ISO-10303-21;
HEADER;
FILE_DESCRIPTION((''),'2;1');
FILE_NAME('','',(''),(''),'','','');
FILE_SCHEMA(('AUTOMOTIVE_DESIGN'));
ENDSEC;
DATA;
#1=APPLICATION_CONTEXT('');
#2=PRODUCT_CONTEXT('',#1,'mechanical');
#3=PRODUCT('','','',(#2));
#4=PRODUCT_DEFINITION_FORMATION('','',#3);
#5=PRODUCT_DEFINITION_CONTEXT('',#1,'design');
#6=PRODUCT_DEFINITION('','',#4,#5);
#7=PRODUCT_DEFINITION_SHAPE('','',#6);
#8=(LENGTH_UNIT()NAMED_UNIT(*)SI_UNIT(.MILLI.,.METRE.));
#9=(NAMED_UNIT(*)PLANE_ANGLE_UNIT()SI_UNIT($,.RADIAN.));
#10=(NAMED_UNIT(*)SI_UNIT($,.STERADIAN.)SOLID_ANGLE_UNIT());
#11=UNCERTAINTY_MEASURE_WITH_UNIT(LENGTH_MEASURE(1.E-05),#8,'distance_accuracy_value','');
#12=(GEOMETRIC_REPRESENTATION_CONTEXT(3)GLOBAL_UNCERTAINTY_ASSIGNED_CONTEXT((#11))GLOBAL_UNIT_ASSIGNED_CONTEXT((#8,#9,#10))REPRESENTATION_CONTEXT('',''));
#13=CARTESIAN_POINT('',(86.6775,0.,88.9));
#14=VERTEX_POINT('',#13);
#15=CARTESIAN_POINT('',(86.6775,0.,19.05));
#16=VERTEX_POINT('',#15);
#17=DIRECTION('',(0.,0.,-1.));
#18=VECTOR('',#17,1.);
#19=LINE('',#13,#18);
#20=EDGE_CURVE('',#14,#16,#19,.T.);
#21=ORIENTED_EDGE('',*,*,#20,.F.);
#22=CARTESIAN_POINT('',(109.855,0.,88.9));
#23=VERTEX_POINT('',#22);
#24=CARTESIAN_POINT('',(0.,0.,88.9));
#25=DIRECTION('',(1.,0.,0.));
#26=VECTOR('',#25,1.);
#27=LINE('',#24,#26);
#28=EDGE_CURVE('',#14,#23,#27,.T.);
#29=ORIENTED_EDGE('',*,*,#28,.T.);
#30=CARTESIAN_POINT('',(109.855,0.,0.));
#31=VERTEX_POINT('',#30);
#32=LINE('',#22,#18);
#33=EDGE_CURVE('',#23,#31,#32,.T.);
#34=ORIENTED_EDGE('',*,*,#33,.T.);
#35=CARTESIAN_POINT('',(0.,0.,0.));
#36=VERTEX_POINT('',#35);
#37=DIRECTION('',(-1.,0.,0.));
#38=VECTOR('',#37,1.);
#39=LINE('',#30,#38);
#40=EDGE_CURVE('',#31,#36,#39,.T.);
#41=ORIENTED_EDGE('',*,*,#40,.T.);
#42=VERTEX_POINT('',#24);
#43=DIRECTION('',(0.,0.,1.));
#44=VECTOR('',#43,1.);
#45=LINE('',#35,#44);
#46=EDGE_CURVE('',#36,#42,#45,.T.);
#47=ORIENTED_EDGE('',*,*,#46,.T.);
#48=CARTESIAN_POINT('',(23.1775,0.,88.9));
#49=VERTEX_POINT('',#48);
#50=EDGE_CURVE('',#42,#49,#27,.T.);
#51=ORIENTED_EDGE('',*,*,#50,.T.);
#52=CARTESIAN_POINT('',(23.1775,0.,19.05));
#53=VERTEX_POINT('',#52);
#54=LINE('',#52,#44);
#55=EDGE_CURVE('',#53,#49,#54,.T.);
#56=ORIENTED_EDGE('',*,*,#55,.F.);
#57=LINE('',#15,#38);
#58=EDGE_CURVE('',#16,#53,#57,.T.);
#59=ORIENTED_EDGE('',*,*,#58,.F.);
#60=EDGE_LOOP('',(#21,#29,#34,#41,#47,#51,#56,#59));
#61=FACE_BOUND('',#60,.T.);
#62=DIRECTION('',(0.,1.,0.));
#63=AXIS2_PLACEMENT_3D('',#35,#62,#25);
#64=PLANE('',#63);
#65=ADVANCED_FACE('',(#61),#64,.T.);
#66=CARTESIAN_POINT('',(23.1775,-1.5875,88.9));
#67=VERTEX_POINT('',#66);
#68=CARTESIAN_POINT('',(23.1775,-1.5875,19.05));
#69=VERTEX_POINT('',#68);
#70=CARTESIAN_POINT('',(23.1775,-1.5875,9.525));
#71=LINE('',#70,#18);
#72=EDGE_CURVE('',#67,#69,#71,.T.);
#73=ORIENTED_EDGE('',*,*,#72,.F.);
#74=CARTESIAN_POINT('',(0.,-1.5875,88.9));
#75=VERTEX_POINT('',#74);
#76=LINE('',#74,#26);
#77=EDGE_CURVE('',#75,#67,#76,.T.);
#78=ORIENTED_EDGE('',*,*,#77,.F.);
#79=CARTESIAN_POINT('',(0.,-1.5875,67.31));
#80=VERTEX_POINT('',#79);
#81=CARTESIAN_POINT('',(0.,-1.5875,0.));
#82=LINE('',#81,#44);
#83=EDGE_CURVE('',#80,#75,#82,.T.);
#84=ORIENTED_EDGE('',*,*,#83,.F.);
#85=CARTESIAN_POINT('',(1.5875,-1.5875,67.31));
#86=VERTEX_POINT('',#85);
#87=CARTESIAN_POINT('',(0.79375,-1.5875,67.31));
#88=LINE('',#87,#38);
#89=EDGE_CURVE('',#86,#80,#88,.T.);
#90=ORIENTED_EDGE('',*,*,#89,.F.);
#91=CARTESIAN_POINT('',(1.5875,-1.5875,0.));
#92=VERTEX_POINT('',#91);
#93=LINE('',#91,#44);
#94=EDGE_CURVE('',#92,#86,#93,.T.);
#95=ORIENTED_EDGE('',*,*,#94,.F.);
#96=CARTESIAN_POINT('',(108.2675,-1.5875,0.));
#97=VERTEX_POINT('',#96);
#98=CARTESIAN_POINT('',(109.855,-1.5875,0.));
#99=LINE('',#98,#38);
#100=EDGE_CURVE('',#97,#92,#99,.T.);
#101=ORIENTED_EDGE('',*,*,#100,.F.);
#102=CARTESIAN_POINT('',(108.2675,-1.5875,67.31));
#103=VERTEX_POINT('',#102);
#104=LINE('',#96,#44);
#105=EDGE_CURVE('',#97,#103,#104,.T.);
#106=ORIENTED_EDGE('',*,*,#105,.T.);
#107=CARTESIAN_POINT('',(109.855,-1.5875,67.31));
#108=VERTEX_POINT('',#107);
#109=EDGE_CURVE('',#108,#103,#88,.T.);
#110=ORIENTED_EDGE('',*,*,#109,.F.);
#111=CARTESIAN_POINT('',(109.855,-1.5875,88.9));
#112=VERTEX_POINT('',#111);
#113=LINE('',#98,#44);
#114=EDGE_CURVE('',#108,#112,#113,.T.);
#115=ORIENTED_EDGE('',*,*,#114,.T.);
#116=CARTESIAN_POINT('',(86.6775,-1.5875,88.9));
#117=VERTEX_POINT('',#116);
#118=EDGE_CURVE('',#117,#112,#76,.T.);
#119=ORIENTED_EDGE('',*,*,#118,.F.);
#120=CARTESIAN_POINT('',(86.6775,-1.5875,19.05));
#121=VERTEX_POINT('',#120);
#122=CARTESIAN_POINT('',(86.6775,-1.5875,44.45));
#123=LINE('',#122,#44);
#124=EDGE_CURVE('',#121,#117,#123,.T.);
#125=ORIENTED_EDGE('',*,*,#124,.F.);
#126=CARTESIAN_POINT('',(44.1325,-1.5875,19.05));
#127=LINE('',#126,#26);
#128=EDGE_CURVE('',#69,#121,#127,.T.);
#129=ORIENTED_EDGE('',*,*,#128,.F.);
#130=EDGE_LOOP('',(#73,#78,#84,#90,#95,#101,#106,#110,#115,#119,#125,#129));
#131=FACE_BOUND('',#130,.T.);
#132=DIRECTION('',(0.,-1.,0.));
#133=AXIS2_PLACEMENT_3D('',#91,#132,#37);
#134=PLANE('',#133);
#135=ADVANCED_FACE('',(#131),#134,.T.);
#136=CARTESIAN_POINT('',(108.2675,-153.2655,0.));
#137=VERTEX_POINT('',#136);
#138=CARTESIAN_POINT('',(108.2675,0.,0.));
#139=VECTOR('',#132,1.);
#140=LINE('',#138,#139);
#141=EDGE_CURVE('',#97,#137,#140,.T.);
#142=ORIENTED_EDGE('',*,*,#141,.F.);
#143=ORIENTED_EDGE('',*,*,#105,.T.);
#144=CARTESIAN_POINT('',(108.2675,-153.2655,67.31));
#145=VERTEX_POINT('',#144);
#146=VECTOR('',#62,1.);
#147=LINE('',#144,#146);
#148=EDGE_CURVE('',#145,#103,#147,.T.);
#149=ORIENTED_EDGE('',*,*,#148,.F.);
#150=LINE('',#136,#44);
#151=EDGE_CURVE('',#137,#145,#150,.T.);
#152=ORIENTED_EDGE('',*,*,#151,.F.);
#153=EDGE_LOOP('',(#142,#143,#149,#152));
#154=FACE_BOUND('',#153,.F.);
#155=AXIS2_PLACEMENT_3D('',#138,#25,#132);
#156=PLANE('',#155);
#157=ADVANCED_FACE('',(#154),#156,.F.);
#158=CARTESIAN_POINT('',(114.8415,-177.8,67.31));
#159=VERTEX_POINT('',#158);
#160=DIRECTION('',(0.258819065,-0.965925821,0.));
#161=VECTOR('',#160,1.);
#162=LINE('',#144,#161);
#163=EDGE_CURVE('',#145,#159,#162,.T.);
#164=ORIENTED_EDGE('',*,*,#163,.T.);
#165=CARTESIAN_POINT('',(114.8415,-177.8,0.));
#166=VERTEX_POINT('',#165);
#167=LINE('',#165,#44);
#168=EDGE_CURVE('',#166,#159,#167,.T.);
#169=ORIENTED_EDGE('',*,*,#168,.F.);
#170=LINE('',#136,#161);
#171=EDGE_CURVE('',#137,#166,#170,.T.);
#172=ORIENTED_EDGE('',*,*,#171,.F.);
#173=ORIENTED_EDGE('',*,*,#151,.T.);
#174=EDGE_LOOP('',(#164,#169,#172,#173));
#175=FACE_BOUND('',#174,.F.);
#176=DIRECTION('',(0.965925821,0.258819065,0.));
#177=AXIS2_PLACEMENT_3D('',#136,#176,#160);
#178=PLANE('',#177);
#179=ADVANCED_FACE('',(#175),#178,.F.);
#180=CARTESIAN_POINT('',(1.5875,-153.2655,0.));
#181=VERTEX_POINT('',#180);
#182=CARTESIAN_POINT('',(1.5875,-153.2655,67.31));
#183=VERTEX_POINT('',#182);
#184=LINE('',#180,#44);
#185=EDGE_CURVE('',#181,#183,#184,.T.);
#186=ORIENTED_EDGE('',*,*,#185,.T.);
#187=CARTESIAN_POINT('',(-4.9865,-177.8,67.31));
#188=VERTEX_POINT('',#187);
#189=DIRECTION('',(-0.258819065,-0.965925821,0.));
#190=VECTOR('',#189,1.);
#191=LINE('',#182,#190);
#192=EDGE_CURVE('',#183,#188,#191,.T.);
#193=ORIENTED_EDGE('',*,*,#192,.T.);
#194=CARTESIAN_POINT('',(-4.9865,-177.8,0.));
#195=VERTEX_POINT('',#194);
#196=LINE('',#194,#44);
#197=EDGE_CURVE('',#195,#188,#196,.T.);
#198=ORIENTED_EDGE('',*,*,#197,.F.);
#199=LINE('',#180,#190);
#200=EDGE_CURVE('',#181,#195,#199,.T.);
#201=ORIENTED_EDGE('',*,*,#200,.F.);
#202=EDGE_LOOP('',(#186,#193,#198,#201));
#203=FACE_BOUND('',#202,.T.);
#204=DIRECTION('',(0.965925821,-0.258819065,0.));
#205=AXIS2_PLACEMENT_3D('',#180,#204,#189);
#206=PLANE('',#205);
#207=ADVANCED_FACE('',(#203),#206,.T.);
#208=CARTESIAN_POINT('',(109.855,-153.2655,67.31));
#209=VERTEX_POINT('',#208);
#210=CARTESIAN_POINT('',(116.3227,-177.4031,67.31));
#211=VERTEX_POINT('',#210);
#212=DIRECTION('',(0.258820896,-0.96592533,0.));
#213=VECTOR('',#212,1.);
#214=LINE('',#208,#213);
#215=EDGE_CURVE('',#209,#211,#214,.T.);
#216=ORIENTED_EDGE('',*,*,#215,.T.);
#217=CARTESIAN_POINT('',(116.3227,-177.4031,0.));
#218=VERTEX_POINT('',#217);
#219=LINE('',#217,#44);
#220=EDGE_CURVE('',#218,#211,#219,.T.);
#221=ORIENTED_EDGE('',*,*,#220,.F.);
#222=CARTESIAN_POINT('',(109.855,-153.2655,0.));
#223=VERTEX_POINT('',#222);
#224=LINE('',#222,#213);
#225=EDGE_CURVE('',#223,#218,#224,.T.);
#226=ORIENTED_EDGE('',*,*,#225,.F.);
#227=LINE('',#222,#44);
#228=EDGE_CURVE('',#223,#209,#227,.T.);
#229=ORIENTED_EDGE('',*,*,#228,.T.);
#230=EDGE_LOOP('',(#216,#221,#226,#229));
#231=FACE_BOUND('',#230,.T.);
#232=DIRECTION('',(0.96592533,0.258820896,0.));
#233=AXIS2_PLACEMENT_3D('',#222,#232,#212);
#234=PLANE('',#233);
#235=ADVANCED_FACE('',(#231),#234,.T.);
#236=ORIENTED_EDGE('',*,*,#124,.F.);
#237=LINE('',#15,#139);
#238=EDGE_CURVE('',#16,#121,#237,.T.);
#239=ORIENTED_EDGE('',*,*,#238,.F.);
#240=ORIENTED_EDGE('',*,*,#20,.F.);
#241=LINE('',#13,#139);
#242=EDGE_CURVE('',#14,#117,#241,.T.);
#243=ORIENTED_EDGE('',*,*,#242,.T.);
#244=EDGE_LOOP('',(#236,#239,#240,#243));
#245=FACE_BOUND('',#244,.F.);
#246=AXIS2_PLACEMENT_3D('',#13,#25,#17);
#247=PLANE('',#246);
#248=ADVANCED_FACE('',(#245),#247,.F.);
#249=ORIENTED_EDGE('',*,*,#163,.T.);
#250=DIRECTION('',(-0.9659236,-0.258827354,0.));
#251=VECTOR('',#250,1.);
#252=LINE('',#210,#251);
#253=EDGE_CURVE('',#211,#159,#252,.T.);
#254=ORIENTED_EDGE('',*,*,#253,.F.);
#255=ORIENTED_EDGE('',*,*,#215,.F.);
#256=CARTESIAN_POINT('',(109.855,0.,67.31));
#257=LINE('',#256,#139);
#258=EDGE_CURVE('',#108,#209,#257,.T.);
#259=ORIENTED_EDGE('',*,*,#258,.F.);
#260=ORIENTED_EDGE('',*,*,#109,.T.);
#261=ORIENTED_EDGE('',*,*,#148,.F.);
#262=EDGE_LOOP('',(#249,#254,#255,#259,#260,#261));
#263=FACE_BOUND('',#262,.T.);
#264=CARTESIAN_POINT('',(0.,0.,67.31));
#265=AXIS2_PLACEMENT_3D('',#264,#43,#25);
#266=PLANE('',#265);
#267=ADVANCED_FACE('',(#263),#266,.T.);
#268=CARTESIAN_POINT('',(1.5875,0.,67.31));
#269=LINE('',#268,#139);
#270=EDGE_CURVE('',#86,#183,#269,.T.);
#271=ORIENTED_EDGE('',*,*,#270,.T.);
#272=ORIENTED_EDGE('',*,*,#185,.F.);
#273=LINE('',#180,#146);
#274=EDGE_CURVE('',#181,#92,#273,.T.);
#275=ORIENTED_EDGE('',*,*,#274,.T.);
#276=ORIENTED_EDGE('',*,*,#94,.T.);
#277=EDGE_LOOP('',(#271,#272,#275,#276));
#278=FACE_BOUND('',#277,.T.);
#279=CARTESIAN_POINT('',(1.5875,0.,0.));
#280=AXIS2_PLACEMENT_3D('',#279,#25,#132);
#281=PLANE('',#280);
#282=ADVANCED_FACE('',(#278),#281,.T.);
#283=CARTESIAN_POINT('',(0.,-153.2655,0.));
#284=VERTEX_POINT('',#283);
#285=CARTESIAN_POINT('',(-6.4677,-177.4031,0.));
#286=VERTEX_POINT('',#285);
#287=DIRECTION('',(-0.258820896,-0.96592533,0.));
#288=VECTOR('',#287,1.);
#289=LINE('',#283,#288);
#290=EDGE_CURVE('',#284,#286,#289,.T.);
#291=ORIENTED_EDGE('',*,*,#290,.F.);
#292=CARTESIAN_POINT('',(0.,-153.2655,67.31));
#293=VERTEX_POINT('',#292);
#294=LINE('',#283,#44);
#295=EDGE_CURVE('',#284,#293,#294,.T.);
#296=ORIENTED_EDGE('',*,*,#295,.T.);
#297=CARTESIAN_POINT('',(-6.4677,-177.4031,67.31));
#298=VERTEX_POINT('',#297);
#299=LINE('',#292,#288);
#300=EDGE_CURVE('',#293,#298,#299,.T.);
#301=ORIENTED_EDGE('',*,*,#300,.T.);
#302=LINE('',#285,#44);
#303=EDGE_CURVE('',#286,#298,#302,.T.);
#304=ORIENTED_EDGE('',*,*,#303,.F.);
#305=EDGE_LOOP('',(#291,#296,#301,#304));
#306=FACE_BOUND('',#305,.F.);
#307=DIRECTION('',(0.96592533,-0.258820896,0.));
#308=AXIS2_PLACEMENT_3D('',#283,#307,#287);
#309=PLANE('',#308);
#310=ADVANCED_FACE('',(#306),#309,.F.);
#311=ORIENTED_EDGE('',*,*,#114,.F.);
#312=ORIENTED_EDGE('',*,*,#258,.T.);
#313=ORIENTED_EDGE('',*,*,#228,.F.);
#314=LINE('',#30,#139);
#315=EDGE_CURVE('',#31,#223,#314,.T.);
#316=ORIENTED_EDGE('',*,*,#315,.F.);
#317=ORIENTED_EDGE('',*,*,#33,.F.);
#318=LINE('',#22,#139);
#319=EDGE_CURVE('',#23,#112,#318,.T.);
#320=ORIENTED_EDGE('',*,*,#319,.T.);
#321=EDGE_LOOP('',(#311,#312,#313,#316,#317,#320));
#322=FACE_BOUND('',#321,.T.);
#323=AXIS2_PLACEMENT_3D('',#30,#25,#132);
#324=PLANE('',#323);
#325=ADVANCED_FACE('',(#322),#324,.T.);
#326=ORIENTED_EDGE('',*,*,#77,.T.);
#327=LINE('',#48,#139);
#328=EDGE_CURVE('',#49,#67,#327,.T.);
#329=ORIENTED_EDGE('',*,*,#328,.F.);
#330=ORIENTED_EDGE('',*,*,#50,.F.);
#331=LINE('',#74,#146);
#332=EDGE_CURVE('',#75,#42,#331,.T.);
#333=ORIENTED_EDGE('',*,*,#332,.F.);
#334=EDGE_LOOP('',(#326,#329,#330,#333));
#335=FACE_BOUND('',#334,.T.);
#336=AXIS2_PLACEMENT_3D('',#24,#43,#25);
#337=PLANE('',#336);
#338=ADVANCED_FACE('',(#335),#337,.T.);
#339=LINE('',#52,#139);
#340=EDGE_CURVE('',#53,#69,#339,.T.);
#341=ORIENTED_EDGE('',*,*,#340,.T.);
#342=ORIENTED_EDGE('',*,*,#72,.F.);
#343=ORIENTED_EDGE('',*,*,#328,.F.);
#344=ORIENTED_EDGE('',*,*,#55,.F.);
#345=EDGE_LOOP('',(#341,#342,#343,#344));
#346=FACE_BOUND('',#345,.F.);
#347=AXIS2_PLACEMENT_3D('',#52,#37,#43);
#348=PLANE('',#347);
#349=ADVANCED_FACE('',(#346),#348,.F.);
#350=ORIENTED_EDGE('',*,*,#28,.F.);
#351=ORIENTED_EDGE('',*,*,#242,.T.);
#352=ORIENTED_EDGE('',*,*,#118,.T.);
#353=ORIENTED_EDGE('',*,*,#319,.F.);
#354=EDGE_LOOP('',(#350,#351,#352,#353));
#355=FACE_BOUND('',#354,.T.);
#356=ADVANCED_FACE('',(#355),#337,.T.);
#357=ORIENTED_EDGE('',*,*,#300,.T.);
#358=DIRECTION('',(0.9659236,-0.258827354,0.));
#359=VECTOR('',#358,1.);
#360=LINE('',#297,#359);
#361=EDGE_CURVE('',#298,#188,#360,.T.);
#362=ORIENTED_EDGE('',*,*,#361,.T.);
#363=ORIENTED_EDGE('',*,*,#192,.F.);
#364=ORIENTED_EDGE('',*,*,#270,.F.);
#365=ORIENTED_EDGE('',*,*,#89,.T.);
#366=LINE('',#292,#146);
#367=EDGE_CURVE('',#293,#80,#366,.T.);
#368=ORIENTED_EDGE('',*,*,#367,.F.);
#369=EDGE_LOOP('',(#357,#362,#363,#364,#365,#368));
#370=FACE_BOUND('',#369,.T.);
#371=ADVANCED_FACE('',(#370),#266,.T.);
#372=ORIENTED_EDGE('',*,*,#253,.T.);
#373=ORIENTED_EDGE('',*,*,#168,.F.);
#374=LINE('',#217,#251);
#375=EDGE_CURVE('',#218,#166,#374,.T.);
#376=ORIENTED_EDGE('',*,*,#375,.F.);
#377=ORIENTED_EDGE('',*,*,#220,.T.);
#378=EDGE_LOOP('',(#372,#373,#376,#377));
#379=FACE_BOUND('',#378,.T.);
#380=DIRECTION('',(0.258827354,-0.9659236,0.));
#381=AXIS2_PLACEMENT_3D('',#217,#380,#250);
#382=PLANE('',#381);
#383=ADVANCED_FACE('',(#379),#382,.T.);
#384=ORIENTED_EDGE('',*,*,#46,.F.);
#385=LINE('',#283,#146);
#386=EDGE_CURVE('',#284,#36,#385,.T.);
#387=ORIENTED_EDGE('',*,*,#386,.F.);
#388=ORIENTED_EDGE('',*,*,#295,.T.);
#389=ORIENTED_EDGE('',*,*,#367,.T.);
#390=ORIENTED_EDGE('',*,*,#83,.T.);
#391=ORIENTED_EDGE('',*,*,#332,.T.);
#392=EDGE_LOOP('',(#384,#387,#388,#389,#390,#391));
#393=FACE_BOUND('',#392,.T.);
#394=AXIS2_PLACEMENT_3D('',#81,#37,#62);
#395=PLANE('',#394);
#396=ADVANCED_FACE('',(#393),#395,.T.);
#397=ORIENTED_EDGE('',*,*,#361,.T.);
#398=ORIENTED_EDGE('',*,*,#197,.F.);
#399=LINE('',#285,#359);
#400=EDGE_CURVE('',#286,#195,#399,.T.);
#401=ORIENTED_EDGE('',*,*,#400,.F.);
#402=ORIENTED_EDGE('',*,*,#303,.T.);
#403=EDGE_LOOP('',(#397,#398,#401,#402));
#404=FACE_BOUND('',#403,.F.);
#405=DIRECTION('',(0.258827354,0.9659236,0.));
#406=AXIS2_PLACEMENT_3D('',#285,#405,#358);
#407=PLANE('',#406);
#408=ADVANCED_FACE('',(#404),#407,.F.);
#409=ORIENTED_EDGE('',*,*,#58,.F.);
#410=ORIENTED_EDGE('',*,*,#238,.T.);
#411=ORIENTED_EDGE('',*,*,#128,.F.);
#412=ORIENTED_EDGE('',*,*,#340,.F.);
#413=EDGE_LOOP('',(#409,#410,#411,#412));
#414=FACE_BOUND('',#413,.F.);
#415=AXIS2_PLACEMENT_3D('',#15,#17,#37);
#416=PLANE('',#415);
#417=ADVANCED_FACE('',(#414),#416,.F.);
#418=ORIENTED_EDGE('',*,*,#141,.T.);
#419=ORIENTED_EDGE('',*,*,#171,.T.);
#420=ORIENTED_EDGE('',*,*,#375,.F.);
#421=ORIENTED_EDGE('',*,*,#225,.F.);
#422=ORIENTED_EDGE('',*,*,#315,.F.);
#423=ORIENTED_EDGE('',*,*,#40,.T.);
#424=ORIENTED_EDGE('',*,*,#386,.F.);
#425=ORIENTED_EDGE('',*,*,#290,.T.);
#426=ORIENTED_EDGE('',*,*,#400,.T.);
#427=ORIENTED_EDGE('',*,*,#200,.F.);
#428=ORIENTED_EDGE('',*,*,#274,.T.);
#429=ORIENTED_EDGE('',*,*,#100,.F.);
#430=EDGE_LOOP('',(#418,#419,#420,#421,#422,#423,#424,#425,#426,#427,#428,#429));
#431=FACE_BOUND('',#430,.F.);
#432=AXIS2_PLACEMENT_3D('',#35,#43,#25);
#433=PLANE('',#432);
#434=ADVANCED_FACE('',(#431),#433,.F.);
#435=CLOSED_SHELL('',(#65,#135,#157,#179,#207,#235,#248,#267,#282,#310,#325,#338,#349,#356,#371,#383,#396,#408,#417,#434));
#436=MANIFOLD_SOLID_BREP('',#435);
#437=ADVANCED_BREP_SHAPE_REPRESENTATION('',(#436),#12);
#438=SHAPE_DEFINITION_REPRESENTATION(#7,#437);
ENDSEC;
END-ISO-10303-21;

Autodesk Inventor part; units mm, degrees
ref_plane "YZ Plane" through (0, 0, 0) normal (1, 0, 0) x (0, 1, 0)
ref_plane "XZ Plane" through (0, 0, 0) normal (0, 1, 0) x (-1, 0, 0)
sketch "Sketch1" plane through (0, 0, 0) normal (0, 0, 1) x (1, 0, 0)
  line L0 (0, 0) -> (109.855, 0)
  line L1 (109.855, 0) -> (109.855, -1.5875)
  line L2 (109.855, -1.5875) -> (0, -1.5875)
  line L3 (0, -1.5875) -> (0, 0)
  line L4 (109.855, 0) -> (108.2675, 0)
  line L5 (108.2675, 0) -> (108.2675, -153.2655)
  line L6 (108.2675, -153.2655) -> (109.855, -153.2655)
  line L7 (109.855, -153.2655) -> (109.855, 0)
  line L8 (0, 0) -> (1.5875, 0)
  line L9 (1.5875, 0) -> (1.5875, -153.2655)
  line L10 (1.5875, -153.2655) -> (0, -153.2655)
  line L11 (0, -153.2655) -> (0, 0)
  line L12 (0, -151.678) -> (25.4, -151.678) construction
  line L13 (1.5875, -153.2655) -> (38.1, -153.2655) construction
  line L14 (0, -153.2655) -> (-6.4677, -177.4031)
  line L15 (1.5875, -153.2655) -> (-4.9865, -177.8)
  line L16 (-6.4677, -177.4031) -> (-4.9865, -177.8)
  line L17 (54.9275, 0) -> (54.9275, -59.745)
  line L18 (109.855, -153.2655) -> (116.3227, -177.4031)
  line L19 (108.2675, -153.2655) -> (114.8415, -177.8)
  line L20 (116.3227, -177.4031) -> (114.8415, -177.8)
  dimension "d1" = 1.5875
  dimension "d2" = 1.5875
  dimension "d3" = 153.2655
  dimension "d5" = 153.2655
  dimension "d6" = 1.5875
  dimension "d13" = 1.5875
  dimension "d15" = 106.68
  dimension "d28" = 0
  dimension "d29" = 75
  dimension "d30" = 25.4
  dimension "d31" = 53.34
  dimension "d32" = 177.8
  dimension "d33" = 24.5345
extrude "Extrusion4" add sketch "Sketch1" along normal blind 88.9 contours L0 L9 L2 L3 | L0 L17 L2 L9 | L0 L5 L2 L17 | L0 L1 L2 L5
extrude "Extrusion5" add sketch "Sketch1" along normal blind 67.31 contours L0 L9 L2 L3 | L2 L9 L10 L11 | L10 L15 L16 L14 | L0 L1 L2 L5 | L2 L7 L6 L5 | L6 L18 L20 L19
ref_plane "Work Plane3" through (54.9275, 0, 88.9) normal (1, 0, 0) x (0, 0, -1)
sketch "Sketch4" plane through (0, 0, 0) normal (0, 1, 0) x (1, 0, 0)
  line L0 (0, -88.9) -> (109.855, -88.9) projected
  line L1 (23.1775, -88.9) -> (86.6775, -88.9)
  line L2 (86.6775, -88.9) -> (86.6775, -19.05)
  line L3 (86.6775, -19.05) -> (23.1775, -19.05)
  line L4 (23.1775, -19.05) -> (23.1775, -88.9)
  line L5 (109.855, 0) -> (109.855, -88.9) projected
  line L6 (0, 0) -> (0, -88.9) projected
  line L7 (109.855, 0) -> (0, 0) projected
  dimension "d42" = 109.855
  dimension "d43" = 63.5
  dimension "d44" = 23.1775
  dimension "d45" = 19.05
extrude "Extrusion7" cut sketch "Sketch4" against normal through all contours L4 L3 L2 L0
equation "\"d2\" = d1"
equation "\"d3\" = d5"
equation "\"d6\" = d4"
equation "\"d13\" = d2"
equation "\"d44\" = -0.5 * d43 + 0.5 * d42"
equation "\"d4\" = d2"
properties part number "U-Part Gen 2"
